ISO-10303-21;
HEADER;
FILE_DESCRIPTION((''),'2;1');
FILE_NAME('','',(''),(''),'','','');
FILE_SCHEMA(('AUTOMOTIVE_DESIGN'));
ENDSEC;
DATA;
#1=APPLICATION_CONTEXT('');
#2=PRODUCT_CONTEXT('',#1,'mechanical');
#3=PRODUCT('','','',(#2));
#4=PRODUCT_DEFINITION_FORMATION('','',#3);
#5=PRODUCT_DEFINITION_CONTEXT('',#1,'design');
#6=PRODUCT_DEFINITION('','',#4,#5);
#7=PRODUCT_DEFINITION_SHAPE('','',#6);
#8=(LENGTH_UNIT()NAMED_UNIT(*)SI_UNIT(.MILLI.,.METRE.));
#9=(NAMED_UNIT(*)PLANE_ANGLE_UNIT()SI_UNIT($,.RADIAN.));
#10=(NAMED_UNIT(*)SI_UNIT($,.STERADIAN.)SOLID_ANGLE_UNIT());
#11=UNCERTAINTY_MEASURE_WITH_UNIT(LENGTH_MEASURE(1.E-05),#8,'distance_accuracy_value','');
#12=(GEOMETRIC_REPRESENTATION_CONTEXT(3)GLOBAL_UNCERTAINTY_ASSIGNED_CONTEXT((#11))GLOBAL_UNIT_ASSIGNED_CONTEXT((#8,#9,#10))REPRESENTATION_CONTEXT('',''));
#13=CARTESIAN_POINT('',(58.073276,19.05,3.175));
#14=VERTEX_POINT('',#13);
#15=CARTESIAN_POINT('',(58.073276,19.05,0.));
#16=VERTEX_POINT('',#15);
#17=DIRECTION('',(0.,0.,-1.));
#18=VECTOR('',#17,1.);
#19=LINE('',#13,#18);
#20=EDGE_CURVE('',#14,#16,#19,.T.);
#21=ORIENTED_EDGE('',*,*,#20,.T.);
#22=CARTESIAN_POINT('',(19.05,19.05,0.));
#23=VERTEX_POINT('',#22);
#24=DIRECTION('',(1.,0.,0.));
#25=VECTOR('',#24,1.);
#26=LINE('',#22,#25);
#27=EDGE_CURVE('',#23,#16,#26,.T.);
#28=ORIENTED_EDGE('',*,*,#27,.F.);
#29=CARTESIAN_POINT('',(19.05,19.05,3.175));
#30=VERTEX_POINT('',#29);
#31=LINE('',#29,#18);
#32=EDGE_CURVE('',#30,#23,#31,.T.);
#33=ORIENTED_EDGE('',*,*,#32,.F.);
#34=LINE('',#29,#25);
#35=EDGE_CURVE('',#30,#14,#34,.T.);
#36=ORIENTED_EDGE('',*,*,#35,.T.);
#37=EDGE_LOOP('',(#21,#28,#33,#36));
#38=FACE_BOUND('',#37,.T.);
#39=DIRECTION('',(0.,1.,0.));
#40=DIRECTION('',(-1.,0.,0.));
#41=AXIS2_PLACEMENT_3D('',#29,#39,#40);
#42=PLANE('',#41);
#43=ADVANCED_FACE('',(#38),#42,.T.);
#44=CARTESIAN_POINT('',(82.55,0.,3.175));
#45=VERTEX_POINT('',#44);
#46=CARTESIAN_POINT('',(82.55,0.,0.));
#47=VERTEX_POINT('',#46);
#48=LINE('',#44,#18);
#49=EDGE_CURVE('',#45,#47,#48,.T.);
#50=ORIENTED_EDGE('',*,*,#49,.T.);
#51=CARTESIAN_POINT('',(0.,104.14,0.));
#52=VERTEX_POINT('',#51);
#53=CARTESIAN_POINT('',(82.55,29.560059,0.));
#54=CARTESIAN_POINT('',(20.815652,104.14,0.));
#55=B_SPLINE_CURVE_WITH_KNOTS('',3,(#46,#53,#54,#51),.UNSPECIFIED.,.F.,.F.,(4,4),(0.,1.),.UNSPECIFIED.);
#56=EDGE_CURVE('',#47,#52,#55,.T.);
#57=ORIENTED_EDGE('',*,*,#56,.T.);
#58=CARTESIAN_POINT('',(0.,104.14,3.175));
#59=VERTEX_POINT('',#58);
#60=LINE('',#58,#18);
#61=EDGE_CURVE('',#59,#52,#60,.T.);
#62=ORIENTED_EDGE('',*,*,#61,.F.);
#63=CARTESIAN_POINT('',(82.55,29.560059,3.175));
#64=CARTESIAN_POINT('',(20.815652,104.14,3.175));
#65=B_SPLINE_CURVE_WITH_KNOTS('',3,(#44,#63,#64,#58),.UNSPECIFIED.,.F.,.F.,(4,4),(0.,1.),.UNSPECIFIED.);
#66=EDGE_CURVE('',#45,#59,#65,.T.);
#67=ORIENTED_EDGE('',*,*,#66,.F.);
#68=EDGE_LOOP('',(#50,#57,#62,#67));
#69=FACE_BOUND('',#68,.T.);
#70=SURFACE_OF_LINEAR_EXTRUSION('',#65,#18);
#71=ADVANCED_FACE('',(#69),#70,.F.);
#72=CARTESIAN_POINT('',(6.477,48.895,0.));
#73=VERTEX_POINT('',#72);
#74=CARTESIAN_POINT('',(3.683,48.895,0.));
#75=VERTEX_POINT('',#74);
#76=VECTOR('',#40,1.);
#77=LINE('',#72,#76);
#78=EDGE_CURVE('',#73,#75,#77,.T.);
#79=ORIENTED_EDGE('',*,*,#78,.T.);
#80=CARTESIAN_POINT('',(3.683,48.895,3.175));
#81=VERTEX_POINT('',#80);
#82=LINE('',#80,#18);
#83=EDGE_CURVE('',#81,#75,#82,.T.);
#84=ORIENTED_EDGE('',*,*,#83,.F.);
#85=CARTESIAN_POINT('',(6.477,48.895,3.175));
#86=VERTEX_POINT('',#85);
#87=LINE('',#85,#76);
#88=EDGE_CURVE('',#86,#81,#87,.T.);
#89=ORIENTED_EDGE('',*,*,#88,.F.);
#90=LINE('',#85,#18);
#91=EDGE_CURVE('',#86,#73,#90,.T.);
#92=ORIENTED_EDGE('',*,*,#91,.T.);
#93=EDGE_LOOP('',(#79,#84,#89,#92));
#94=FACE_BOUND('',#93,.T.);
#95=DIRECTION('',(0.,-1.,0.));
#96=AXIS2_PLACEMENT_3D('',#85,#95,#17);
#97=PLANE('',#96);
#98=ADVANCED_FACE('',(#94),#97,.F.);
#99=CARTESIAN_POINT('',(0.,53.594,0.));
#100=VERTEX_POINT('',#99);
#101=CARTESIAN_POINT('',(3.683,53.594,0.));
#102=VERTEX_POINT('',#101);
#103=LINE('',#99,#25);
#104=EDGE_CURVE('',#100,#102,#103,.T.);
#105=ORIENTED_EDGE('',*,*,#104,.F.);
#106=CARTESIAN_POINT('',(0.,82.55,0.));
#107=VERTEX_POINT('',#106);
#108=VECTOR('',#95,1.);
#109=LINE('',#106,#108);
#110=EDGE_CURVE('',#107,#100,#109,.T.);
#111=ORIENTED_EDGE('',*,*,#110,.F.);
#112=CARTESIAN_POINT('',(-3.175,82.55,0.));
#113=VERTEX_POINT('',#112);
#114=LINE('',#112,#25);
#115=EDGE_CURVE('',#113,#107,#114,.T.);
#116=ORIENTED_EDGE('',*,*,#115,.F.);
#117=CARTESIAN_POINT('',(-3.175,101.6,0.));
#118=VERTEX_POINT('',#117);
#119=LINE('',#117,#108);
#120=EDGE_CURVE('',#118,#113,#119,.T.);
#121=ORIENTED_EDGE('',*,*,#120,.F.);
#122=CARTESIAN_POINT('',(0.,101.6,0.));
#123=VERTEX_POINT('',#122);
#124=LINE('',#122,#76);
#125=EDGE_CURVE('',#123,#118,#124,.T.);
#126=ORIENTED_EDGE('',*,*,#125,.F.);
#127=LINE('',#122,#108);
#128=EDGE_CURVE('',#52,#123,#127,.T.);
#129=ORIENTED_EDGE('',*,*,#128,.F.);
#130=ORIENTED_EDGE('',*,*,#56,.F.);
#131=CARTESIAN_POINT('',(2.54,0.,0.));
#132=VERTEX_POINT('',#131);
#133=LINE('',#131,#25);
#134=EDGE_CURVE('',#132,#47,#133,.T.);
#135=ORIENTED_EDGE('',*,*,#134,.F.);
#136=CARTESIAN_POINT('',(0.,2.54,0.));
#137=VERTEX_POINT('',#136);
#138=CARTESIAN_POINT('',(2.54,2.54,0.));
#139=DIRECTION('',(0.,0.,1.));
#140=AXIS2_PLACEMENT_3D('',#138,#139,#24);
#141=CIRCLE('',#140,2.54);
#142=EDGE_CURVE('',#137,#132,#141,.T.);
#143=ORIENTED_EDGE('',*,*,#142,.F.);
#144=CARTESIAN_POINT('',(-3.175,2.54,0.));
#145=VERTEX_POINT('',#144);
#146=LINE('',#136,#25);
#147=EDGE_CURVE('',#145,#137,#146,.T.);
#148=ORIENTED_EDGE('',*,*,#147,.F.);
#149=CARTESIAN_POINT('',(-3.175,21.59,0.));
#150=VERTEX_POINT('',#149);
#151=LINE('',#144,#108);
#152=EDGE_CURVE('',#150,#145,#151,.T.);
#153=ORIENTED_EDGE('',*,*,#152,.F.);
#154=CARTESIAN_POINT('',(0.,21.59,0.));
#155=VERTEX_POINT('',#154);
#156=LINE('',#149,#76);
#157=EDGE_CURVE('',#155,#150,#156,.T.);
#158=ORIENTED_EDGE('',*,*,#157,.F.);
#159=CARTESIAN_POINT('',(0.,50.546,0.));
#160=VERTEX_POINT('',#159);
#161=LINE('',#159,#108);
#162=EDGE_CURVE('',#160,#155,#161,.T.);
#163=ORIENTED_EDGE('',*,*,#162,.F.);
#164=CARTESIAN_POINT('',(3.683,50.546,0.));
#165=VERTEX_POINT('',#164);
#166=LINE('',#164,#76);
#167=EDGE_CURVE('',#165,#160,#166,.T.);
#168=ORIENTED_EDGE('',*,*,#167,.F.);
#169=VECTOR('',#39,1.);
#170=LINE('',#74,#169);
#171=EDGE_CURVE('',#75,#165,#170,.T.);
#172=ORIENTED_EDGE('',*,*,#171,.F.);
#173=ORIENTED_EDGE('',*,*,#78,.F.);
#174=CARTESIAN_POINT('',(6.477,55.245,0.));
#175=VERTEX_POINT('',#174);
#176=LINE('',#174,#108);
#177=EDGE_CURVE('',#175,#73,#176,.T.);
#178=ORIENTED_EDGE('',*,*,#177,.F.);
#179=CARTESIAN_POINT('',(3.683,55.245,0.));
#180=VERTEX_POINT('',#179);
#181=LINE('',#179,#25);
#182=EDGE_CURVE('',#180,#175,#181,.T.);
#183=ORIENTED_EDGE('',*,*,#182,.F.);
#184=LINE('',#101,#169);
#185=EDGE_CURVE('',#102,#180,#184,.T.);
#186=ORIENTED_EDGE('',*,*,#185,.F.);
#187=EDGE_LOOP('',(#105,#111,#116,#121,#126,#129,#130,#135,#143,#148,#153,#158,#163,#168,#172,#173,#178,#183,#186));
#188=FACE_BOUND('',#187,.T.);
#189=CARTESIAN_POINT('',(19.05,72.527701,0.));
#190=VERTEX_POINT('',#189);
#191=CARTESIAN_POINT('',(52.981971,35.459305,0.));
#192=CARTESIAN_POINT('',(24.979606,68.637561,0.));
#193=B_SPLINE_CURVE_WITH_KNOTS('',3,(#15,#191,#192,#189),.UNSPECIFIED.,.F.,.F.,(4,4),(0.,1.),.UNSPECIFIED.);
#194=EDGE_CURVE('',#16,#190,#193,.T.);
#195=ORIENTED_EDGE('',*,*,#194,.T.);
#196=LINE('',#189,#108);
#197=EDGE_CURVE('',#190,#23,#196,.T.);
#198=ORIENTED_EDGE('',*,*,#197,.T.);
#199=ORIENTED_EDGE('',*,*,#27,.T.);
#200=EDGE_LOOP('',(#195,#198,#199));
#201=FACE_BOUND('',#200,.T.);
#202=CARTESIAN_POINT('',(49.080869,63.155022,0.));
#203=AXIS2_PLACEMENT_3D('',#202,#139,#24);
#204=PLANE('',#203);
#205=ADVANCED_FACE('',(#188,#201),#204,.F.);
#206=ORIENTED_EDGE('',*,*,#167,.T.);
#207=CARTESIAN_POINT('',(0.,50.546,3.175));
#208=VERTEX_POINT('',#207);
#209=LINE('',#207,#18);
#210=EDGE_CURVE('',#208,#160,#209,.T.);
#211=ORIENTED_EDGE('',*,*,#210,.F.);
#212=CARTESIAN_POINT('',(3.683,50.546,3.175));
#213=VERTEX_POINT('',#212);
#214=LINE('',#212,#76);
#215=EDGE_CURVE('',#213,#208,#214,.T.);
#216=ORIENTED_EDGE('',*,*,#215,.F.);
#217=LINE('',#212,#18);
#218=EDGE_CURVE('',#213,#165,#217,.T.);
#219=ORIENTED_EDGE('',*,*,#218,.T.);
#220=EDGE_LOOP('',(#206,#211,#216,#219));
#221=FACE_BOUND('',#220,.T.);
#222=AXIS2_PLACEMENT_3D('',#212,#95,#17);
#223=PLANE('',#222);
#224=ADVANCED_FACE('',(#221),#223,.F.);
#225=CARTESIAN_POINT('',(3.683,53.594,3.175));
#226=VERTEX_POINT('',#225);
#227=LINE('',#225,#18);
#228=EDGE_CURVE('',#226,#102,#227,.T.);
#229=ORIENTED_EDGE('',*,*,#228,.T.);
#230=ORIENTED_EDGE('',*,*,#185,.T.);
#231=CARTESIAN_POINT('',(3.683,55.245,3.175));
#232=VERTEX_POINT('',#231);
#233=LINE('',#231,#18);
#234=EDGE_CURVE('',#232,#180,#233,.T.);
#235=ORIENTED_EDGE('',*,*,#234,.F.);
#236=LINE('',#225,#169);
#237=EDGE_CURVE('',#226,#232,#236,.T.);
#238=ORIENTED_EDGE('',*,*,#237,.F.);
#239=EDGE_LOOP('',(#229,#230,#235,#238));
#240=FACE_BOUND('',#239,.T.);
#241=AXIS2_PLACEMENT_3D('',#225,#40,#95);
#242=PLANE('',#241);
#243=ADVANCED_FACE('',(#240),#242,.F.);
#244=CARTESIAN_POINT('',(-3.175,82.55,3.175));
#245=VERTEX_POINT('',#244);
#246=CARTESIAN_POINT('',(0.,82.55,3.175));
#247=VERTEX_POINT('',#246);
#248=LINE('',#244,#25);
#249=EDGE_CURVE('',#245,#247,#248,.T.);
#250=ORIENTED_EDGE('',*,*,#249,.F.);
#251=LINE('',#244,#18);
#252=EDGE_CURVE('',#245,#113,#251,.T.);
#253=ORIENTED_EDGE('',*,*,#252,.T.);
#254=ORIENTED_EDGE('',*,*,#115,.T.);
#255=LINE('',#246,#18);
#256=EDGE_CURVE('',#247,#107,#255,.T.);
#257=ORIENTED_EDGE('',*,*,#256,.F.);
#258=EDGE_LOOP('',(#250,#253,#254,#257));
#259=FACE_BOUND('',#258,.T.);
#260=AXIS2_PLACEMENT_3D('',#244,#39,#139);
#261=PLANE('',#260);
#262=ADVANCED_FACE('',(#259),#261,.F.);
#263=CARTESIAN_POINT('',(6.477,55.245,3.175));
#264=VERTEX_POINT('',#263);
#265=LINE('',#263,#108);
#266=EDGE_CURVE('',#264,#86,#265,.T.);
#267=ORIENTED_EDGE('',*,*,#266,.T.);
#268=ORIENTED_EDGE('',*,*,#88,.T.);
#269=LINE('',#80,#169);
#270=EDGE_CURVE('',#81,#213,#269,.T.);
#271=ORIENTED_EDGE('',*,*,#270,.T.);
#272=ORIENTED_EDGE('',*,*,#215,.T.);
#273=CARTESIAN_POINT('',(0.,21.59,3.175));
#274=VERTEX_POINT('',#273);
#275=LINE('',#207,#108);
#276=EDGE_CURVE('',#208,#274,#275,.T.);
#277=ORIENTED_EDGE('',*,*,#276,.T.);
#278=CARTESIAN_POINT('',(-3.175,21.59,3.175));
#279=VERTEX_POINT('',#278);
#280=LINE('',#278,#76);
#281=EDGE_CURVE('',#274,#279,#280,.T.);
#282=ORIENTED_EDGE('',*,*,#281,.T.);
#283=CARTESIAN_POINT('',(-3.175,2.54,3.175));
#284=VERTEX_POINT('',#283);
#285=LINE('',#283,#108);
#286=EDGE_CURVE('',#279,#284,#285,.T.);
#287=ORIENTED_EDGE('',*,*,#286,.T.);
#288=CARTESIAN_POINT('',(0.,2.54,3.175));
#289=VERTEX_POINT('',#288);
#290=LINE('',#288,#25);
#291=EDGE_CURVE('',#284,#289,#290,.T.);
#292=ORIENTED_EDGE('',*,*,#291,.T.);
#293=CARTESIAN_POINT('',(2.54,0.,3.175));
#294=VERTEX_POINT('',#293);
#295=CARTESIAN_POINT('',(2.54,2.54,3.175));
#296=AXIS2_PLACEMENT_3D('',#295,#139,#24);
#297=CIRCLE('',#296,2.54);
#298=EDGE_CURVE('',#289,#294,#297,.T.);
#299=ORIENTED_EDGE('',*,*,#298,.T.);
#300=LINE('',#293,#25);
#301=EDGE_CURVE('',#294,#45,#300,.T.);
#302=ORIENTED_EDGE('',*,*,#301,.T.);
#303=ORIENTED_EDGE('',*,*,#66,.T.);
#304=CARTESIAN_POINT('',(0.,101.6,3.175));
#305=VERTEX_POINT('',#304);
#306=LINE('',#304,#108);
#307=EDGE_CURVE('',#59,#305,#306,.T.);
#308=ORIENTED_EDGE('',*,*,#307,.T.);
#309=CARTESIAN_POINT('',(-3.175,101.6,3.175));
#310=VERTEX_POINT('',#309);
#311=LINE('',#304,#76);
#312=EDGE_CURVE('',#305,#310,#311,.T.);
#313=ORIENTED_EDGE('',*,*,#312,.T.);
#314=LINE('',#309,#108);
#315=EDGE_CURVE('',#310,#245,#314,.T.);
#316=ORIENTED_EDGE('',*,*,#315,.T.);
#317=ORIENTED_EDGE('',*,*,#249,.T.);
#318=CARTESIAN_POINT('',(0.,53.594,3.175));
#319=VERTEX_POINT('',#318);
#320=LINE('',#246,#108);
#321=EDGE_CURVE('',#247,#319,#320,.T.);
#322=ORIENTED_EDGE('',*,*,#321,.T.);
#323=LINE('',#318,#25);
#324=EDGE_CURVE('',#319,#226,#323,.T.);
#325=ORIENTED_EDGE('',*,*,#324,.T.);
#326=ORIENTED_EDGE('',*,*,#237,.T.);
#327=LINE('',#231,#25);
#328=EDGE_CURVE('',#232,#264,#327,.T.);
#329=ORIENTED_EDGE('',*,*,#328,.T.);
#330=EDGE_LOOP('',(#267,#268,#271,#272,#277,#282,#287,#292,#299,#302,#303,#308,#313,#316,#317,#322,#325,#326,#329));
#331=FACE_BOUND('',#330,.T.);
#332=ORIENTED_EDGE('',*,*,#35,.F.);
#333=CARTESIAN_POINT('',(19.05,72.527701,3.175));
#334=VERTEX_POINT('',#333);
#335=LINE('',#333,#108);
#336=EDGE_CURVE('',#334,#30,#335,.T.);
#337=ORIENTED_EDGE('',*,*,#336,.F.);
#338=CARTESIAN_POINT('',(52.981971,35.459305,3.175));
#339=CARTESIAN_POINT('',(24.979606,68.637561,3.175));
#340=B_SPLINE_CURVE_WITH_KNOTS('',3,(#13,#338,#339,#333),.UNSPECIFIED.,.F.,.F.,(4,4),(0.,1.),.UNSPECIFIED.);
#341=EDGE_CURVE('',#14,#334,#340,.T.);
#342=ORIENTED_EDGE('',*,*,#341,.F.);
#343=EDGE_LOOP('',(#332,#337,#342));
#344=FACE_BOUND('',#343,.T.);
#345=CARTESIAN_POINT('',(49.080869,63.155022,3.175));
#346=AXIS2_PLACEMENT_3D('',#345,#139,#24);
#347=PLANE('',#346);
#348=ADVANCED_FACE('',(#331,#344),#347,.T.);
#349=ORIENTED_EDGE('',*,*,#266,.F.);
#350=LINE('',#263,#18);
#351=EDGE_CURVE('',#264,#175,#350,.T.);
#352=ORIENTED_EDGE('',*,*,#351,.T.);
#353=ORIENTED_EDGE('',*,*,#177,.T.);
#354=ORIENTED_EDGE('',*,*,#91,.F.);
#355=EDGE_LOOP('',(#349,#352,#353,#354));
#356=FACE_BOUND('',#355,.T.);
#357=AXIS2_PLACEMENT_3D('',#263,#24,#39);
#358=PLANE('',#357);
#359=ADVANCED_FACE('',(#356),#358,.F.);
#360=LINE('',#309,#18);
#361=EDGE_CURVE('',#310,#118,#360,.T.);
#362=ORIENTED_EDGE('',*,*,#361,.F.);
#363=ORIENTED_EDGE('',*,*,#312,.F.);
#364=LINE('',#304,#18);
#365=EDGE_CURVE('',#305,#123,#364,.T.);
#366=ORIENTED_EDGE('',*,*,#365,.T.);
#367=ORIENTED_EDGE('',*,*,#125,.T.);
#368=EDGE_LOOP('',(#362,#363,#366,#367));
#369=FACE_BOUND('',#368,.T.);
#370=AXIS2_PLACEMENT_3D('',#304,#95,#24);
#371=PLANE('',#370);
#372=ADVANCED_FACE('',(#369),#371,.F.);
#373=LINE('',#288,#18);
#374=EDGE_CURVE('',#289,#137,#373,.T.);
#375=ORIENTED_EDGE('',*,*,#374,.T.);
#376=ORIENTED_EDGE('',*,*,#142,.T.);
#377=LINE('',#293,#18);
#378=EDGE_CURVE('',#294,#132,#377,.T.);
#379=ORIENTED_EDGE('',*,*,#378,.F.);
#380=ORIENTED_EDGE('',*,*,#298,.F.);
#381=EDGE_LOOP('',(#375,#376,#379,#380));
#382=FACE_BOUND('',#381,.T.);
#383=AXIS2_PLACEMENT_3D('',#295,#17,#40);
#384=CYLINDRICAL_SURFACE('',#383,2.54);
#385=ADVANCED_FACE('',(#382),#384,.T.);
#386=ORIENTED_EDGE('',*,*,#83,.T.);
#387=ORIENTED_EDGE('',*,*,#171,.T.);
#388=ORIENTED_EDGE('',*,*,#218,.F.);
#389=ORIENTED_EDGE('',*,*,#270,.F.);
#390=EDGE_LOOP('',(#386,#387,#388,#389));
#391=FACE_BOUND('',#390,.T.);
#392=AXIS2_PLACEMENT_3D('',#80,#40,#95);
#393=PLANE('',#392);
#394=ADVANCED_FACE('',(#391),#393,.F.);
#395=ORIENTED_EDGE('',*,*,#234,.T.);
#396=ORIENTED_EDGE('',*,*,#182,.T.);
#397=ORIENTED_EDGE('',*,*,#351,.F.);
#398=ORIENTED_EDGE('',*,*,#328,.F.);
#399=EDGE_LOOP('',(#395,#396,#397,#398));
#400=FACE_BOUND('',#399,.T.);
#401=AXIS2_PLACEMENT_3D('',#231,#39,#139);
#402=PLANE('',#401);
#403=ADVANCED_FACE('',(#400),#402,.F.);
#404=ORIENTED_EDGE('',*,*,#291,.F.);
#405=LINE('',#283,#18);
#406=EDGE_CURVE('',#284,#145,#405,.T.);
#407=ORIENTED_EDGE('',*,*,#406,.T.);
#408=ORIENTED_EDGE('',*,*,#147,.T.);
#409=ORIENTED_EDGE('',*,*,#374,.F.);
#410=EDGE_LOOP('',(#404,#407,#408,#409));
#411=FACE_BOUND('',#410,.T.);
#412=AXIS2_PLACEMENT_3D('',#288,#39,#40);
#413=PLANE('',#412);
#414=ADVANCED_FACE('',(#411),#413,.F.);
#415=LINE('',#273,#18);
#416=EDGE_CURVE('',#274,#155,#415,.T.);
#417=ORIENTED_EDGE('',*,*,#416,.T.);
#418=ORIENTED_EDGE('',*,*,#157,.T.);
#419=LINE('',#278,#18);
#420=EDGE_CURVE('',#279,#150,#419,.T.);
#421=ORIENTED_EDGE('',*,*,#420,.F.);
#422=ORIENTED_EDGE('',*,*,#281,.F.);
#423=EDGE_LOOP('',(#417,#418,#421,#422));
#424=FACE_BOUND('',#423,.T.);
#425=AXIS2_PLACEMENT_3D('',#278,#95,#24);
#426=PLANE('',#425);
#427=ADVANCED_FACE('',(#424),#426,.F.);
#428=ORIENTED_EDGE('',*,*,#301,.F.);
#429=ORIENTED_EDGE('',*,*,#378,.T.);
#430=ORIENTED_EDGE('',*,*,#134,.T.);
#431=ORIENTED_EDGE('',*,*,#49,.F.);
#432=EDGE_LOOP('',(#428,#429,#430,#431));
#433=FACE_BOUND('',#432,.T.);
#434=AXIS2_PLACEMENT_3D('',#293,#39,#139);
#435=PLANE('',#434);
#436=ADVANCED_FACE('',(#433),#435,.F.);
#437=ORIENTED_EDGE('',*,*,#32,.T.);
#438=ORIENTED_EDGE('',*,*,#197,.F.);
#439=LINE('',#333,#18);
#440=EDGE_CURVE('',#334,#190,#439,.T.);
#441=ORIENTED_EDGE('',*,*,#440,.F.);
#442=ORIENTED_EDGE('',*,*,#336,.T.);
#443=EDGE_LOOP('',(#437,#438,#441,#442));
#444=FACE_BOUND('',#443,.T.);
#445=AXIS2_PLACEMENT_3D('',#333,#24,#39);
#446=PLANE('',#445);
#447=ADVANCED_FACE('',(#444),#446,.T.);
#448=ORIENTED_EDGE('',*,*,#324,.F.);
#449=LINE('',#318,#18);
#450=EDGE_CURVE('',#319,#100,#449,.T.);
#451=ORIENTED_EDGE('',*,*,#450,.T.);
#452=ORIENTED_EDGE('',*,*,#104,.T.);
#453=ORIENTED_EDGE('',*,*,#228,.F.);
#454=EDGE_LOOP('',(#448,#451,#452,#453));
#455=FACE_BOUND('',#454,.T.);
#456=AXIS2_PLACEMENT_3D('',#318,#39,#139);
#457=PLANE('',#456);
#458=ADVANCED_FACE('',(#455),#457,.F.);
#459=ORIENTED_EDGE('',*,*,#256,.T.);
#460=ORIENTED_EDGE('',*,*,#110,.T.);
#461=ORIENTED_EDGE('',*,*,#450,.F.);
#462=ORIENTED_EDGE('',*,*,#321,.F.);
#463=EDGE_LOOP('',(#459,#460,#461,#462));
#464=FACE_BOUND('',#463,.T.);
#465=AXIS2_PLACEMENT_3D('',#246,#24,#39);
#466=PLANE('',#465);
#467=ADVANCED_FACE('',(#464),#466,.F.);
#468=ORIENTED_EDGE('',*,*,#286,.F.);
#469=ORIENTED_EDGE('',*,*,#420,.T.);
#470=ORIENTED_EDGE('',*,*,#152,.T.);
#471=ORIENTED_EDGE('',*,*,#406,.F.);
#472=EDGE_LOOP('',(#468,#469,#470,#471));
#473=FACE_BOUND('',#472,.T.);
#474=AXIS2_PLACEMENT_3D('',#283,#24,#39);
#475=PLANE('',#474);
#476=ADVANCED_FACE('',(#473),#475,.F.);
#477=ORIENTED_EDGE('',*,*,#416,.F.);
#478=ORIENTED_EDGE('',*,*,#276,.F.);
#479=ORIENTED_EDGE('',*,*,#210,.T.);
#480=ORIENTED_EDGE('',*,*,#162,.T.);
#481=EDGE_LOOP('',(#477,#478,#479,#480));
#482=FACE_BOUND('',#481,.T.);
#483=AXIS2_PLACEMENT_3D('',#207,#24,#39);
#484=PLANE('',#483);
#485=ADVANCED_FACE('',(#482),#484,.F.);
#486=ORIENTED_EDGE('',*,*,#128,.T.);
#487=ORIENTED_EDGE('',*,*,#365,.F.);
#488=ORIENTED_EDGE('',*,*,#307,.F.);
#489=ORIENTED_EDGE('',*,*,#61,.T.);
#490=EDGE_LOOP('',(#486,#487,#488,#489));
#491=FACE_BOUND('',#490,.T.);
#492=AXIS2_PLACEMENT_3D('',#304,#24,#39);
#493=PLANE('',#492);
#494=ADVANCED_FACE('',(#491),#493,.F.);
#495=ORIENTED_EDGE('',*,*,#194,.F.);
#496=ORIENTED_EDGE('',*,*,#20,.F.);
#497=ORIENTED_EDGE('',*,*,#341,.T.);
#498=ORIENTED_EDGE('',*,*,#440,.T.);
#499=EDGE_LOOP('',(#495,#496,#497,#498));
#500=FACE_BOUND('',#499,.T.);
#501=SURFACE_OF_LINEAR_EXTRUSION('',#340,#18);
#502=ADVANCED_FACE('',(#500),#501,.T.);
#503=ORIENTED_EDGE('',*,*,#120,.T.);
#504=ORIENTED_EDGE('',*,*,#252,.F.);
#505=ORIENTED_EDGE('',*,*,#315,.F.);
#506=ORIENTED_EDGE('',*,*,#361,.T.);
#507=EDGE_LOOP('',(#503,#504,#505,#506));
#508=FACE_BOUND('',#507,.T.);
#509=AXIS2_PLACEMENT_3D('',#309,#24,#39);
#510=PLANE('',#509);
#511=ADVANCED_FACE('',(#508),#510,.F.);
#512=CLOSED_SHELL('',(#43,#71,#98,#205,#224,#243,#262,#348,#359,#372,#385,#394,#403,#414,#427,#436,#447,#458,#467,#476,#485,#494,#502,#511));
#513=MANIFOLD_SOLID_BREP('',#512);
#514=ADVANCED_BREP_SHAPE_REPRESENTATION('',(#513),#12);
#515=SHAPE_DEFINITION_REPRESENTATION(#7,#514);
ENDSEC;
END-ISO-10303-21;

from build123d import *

# Parameters (mm, degrees)
BOSS_EXTRUDE1_DEPTH = 3.175


with BuildPart() as part:
    # Sketch1 → Boss-Extrude1 (new body)
    with BuildSketch(Plane.XY):
        with BuildLine():
            Line((0, 82.55), (0, 53.594))
            Line((0, 53.594), (3.683, 53.594))
            Line((3.683, 53.594), (3.683, 55.245))
            Line((3.683, 55.245), (6.477, 55.245))
            Line((6.477, 55.245), (6.477, 48.895))
            Line((6.477, 48.895), (3.683, 48.895))
            Line((3.683, 48.895), (3.683, 50.546))
            Line((3.683, 50.546), (0, 50.546))
            Line((0, 50.546), (0, 21.59))
            Line((0, 21.59), (-3.175, 21.59))
            Line((-3.175, 21.59), (-3.175, 2.54))
            Line((-3.175, 2.54), (0, 2.54))
            ThreePointArc((0, 2.54), (0.743948776, 0.743948776), (2.54, 0))
            Line((2.54, 0), (82.55, 0))
            add(Edge.make_bspline(
                [(0, 104.14), (20.815651588, 104.14), (82.55, 29.560059324), (82.55, 0)],
                knots=[0, 0, 0, 0, 1, 1, 1, 1], degree=3))
            Line((0, 104.14), (0, 101.6))
            Line((0, 101.6), (-3.175, 101.6))
            Line((-3.175, 101.6), (-3.175, 82.55))
            Line((-3.175, 82.55), (0, 82.55))
        make_face()
        with BuildLine():
            Line((19.05, 72.527700628), (19.05, 19.05))
            Line((19.05, 19.05), (58.0732756, 19.05))
            add(Edge.make_bspline(
                [(19.05, 72.527700628), (24.979605929, 68.637560894), (52.981970502, 35.459305466), (58.0732756, 19.05)],
                knots=[0, 0, 0, 0, 1, 1, 1, 1], degree=3))
        make_face(mode=Mode.SUBTRACT)
    extrude(amount=BOSS_EXTRUDE1_DEPTH)


solid = part.part
